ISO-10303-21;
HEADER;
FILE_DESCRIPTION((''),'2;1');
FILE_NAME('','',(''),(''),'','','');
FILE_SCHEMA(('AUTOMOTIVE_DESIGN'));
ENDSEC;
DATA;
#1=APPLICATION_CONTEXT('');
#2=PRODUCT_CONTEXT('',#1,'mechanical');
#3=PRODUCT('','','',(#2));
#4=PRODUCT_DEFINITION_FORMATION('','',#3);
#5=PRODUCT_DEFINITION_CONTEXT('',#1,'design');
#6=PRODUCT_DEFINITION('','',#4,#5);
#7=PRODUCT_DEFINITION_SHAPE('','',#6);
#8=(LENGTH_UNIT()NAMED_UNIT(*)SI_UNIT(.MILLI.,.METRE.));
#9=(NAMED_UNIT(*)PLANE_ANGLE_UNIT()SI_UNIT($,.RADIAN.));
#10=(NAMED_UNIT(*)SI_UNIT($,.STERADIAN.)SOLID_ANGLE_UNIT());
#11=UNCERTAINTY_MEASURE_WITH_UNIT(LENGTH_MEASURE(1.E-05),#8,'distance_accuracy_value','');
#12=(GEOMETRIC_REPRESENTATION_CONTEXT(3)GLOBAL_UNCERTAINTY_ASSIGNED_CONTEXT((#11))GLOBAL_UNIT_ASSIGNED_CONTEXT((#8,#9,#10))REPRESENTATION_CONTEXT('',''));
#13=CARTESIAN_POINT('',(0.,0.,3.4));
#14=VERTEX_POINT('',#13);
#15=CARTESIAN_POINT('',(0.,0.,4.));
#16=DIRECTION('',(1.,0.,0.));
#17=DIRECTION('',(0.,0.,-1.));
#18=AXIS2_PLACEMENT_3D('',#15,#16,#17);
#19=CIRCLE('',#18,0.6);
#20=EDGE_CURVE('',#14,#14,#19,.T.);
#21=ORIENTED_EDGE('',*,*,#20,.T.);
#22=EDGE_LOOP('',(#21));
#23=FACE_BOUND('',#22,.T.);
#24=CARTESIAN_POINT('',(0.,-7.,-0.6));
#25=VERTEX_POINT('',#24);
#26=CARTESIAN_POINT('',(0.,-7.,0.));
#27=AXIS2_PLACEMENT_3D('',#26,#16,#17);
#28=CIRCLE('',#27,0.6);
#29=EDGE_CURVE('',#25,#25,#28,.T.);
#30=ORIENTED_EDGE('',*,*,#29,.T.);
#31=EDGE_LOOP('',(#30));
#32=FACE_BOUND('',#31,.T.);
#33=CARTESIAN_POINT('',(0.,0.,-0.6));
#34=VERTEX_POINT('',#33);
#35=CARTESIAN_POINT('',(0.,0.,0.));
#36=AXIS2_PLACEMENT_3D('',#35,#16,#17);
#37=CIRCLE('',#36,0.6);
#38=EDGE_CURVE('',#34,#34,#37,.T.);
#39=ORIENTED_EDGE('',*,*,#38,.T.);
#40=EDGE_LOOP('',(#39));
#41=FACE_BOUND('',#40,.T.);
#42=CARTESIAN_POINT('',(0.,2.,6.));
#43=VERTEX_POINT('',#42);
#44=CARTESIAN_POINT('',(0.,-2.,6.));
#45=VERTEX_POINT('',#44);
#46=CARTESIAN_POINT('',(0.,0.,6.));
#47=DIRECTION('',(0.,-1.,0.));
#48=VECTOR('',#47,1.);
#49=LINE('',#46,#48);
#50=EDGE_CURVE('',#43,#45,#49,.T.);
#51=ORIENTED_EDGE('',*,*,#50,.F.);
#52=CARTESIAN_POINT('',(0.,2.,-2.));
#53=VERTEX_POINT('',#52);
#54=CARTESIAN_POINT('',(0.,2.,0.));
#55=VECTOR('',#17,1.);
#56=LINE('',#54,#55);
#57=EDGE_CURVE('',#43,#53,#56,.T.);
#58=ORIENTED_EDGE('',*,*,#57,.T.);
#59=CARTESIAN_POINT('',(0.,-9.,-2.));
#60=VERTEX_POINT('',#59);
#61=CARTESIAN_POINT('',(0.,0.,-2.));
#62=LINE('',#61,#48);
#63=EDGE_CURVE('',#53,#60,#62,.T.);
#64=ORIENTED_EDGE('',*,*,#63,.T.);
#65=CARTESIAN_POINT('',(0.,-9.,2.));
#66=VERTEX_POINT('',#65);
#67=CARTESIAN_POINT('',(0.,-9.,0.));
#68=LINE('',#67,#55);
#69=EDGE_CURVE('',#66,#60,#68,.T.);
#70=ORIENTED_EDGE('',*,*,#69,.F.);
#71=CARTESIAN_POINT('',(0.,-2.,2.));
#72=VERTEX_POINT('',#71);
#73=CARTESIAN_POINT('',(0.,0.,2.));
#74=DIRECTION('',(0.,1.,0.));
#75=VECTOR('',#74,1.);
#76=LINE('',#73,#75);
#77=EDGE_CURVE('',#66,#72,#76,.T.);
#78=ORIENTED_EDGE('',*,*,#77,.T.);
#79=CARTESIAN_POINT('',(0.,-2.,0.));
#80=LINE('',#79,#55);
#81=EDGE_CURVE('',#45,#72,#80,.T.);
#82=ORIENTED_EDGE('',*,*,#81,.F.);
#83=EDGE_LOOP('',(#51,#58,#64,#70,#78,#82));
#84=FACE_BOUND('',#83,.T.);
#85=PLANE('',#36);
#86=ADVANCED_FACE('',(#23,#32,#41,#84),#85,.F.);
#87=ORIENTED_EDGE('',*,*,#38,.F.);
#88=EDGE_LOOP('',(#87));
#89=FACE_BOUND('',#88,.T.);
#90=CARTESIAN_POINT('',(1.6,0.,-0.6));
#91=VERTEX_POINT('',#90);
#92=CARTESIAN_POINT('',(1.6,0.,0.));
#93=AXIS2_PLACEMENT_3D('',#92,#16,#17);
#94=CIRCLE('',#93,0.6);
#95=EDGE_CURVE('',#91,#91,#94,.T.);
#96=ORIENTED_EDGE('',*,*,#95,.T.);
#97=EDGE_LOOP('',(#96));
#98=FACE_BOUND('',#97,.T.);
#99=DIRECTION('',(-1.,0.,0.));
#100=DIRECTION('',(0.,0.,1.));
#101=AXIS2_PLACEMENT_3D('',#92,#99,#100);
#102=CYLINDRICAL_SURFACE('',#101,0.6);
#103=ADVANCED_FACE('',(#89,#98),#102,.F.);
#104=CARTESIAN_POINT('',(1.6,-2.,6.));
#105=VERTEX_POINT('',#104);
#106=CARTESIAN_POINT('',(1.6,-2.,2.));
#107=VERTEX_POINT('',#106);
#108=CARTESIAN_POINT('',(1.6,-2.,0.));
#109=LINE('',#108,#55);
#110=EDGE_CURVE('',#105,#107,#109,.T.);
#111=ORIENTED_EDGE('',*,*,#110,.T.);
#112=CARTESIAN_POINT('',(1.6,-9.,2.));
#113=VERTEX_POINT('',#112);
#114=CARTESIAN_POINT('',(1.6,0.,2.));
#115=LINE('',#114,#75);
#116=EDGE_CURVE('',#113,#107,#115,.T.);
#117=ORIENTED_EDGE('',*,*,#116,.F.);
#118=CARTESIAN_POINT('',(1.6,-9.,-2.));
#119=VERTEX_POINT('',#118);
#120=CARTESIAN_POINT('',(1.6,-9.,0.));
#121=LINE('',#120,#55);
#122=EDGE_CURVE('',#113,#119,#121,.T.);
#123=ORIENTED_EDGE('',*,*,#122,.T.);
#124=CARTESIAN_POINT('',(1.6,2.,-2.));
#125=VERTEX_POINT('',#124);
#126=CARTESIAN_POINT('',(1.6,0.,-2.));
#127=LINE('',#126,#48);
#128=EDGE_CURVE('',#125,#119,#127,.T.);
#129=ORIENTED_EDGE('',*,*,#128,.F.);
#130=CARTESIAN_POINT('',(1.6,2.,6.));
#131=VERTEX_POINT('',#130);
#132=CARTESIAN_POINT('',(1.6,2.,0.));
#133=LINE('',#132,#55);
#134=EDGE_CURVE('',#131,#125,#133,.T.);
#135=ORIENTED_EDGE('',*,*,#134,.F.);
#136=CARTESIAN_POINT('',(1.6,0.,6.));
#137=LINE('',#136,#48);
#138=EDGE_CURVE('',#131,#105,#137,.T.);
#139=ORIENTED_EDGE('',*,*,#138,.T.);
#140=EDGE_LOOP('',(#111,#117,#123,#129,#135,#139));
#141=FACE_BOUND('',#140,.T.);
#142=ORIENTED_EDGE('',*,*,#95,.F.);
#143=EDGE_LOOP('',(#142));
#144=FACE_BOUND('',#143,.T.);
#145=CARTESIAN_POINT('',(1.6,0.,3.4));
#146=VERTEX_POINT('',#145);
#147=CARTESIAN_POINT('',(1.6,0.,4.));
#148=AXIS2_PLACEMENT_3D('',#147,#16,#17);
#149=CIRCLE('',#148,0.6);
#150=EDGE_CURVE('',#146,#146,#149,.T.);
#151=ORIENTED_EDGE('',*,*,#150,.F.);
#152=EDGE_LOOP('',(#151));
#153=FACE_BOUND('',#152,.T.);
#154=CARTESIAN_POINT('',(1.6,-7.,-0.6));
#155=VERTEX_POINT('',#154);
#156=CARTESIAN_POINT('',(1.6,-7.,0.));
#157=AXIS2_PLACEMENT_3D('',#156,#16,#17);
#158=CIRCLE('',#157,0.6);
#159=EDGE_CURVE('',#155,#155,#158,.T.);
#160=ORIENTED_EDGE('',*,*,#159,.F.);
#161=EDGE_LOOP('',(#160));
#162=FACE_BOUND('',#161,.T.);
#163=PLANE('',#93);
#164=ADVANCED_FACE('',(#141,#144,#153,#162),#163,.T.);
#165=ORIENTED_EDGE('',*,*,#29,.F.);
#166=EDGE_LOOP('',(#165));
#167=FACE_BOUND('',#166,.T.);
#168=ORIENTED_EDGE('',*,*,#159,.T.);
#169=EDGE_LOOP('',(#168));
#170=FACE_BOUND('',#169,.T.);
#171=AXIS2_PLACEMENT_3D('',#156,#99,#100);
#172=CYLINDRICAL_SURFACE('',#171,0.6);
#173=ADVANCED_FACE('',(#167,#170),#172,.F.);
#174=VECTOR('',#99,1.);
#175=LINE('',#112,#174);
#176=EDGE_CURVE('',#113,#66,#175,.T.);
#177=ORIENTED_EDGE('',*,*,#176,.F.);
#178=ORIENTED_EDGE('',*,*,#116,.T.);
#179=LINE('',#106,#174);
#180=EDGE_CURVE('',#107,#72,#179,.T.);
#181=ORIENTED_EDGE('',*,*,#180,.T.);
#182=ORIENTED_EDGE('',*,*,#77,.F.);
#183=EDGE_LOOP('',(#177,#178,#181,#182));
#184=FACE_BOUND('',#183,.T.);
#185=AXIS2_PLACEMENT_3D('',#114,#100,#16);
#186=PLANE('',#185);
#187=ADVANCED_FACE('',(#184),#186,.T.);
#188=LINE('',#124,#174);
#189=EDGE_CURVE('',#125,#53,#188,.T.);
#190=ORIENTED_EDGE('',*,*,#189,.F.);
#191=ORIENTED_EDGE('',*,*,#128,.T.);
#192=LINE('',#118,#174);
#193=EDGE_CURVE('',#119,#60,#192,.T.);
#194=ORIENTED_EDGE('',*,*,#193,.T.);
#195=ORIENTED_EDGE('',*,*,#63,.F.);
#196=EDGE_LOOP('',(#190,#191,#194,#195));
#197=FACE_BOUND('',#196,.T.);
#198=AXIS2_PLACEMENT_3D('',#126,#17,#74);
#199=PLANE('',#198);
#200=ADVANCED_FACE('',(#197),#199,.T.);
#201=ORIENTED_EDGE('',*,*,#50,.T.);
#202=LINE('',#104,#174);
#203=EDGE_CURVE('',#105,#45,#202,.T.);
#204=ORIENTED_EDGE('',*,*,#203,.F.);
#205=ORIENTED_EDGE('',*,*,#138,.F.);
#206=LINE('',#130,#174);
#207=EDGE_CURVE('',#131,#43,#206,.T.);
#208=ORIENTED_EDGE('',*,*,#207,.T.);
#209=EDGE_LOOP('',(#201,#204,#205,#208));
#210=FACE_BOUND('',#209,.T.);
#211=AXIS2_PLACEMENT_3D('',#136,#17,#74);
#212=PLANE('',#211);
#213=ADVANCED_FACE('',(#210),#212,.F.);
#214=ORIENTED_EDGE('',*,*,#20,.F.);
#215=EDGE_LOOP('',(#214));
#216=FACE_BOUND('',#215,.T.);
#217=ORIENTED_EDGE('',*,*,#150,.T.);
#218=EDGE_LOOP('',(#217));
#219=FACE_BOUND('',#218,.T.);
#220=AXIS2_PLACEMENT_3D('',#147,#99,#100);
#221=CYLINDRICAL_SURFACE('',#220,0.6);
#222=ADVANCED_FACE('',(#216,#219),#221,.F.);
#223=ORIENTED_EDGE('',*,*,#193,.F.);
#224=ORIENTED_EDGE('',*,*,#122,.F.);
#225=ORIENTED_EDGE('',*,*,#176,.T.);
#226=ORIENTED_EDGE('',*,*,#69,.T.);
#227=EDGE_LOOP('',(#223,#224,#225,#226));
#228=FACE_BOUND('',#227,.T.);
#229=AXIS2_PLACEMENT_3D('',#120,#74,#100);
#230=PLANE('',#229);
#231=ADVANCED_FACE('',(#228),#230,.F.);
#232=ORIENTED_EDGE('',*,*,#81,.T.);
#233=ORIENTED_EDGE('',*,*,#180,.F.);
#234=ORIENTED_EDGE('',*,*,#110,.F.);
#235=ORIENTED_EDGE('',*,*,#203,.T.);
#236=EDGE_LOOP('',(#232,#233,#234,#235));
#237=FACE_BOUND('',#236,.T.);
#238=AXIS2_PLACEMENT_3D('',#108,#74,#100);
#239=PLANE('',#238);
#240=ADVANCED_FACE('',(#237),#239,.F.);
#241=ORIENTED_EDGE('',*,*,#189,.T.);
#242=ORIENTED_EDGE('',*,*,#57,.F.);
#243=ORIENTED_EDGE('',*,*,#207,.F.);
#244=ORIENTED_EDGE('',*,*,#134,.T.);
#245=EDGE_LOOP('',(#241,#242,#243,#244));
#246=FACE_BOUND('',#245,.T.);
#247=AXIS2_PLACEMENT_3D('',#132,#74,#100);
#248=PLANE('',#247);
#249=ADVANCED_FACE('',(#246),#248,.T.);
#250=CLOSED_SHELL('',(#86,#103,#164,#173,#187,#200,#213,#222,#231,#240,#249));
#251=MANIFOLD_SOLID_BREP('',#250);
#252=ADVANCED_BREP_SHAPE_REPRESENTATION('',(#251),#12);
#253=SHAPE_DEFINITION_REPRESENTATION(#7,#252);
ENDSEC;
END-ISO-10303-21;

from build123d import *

# Parameters (mm, degrees)
SKETCH_1_R      = 0.6
EXTRUDE_1_DEPTH = 1.6


with BuildPart() as part:
    # 草图1 → 凸台-拉伸1 (new body)
    with BuildSketch(Plane(origin=(0, 0, 0), x_dir=(0, 0, -1), z_dir=(1, 0, 0))):
        Polygon((-6, 2), (-6, -2), (-2, -2), (-2, -9), (2, -9), (2, 2), align=None)
        with Locations((0, -7)):
            Circle(SKETCH_1_R, mode=Mode.SUBTRACT)
        with Locations((-4, 0)):
            Circle(SKETCH_1_R, mode=Mode.SUBTRACT)
        Circle(SKETCH_1_R, mode=Mode.SUBTRACT)
    extrude(amount=EXTRUDE_1_DEPTH)


solid = part.part
